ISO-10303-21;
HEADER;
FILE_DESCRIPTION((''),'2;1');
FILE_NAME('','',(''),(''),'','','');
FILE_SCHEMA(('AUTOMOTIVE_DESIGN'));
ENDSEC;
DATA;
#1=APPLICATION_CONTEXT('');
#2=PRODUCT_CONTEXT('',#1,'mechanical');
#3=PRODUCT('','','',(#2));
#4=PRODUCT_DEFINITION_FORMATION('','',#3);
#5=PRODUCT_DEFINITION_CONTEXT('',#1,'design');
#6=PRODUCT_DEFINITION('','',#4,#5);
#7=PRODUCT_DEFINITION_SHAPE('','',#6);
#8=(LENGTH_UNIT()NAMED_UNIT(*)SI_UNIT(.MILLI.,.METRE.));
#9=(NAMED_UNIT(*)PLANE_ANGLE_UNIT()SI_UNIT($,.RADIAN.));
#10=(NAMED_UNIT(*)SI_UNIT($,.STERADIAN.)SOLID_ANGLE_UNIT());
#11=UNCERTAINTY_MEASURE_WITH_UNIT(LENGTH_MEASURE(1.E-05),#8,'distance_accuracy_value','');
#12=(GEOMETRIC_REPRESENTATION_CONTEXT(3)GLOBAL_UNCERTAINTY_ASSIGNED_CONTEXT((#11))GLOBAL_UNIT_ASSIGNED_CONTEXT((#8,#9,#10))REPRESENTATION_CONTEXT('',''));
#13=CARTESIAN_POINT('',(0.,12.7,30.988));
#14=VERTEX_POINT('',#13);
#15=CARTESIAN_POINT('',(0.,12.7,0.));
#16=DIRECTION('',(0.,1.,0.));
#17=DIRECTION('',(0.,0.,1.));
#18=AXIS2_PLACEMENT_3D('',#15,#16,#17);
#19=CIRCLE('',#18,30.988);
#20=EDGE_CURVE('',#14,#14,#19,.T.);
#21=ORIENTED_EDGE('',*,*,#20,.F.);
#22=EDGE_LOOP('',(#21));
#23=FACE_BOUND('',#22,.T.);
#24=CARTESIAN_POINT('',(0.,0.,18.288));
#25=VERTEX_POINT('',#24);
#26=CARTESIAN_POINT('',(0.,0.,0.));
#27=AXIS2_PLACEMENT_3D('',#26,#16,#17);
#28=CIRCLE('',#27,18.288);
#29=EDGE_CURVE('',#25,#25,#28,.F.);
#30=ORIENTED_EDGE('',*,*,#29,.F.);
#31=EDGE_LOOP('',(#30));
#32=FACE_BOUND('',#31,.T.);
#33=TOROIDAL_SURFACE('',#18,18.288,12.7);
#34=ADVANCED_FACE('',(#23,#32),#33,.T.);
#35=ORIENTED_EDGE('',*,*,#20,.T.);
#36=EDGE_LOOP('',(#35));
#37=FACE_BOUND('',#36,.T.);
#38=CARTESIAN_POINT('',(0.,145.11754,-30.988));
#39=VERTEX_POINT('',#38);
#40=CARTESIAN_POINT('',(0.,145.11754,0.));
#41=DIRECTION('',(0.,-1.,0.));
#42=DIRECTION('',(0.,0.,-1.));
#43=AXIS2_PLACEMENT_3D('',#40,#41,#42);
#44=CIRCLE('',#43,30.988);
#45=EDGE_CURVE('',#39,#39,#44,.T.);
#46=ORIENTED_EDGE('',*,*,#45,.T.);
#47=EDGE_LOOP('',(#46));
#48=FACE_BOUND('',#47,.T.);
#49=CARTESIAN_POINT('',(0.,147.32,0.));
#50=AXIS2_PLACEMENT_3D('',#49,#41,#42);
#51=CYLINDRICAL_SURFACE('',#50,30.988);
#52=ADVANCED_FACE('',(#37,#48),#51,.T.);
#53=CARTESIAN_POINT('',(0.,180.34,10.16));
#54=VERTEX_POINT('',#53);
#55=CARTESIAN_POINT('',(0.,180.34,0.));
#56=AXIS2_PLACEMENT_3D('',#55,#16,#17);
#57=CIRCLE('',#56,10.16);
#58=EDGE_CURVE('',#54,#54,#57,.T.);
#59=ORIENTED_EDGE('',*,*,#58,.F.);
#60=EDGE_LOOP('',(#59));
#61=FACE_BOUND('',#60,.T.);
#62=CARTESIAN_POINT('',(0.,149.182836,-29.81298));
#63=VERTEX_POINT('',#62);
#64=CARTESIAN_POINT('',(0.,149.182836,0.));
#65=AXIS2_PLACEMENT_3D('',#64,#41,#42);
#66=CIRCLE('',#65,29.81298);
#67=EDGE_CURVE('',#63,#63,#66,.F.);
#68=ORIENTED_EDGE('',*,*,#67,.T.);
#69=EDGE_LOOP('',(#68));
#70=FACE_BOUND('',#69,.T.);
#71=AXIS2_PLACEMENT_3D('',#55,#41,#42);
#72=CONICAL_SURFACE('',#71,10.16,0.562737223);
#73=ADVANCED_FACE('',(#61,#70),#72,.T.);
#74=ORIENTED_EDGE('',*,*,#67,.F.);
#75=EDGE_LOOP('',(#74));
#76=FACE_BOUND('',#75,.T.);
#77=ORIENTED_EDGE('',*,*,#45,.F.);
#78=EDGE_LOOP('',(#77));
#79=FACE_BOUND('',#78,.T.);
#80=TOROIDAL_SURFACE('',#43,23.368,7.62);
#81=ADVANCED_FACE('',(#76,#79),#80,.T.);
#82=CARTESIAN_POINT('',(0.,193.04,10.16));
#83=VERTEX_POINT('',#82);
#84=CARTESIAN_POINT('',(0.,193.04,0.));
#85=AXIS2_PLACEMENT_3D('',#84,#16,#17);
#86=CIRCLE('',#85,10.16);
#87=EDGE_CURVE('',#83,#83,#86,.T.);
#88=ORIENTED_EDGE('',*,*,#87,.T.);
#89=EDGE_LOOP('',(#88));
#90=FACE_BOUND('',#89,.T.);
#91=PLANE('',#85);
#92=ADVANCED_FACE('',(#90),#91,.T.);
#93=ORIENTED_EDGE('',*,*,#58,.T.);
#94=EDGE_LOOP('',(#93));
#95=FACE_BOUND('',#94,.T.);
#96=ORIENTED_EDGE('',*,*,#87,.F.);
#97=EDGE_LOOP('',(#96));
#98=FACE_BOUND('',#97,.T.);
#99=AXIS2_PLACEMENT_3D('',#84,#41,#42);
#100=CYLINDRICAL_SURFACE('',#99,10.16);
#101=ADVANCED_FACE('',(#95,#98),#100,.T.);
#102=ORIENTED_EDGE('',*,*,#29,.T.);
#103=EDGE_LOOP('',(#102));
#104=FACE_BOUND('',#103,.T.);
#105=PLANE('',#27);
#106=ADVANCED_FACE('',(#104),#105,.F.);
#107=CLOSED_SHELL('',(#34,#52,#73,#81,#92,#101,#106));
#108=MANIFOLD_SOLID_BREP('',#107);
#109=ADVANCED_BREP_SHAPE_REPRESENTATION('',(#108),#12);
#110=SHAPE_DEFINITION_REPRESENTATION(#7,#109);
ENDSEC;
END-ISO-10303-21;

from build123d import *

# Parameters (mm, degrees)
SKETCH1_R           = 30.988
BOSS_EXTRUDE1_DEPTH = 147.32
SKETCH3_R           = 10.16
FILLET3_R           = 7.62
SKETCH8_R           = 10.16
BOSS_EXTRUDE2_DEPTH = 12.7
FILLET4_R           = 12.7


with BuildPart() as part:
    # Sketch1 → Boss-Extrude1 (new body)
    with BuildSketch(Plane(origin=(0, 0, 0), x_dir=(1, 0, 0), z_dir=(0, 1, 0))):
        with Locations(Location((0, 0, 0), (0, 0, 270))):
            Circle(SKETCH1_R)
    extrude(amount=BOSS_EXTRUDE1_DEPTH)

    # Sketch3 → section 1 of loft2
    with BuildSketch(Plane(origin=(0, 180.34, 0), x_dir=(-1, 0, 0), z_dir=(0, -1, 0)), mode=Mode.PRIVATE) as loft2_s1:
        Circle(SKETCH3_R)
    # loft up to a face of the part (loft2)
    loft([Face(Wire([part.edges().sort_by_distance((22.589279827, 147.32, -21.212745719))[0]])), loft2_s1.sketch])

    # Fillet3
    fillet3_edges = [part.edges().sort_by_distance(p)[0] for p in [
        (0, 147.32, -30.988),
    ]]
    fillet(fillet3_edges, radius=FILLET3_R)

    # Sketch8 → Boss-Extrude2 (add)
    with BuildSketch(Plane(origin=(0, 180.34, 0), x_dir=(1, 0, 0), z_dir=(0, 1, 0))):
        with Locations(Location((0, 0, 0), (0, 0, 270))):
            Circle(SKETCH8_R)
    extrude(amount=BOSS_EXTRUDE2_DEPTH)

    # Fillet4
    fillet4_edges = [part.edges().sort_by_distance(p)[0] for p in [
        (0, 0, -30.988),
    ]]
    fillet(fillet4_edges, radius=FILLET4_R)


solid = part.part
